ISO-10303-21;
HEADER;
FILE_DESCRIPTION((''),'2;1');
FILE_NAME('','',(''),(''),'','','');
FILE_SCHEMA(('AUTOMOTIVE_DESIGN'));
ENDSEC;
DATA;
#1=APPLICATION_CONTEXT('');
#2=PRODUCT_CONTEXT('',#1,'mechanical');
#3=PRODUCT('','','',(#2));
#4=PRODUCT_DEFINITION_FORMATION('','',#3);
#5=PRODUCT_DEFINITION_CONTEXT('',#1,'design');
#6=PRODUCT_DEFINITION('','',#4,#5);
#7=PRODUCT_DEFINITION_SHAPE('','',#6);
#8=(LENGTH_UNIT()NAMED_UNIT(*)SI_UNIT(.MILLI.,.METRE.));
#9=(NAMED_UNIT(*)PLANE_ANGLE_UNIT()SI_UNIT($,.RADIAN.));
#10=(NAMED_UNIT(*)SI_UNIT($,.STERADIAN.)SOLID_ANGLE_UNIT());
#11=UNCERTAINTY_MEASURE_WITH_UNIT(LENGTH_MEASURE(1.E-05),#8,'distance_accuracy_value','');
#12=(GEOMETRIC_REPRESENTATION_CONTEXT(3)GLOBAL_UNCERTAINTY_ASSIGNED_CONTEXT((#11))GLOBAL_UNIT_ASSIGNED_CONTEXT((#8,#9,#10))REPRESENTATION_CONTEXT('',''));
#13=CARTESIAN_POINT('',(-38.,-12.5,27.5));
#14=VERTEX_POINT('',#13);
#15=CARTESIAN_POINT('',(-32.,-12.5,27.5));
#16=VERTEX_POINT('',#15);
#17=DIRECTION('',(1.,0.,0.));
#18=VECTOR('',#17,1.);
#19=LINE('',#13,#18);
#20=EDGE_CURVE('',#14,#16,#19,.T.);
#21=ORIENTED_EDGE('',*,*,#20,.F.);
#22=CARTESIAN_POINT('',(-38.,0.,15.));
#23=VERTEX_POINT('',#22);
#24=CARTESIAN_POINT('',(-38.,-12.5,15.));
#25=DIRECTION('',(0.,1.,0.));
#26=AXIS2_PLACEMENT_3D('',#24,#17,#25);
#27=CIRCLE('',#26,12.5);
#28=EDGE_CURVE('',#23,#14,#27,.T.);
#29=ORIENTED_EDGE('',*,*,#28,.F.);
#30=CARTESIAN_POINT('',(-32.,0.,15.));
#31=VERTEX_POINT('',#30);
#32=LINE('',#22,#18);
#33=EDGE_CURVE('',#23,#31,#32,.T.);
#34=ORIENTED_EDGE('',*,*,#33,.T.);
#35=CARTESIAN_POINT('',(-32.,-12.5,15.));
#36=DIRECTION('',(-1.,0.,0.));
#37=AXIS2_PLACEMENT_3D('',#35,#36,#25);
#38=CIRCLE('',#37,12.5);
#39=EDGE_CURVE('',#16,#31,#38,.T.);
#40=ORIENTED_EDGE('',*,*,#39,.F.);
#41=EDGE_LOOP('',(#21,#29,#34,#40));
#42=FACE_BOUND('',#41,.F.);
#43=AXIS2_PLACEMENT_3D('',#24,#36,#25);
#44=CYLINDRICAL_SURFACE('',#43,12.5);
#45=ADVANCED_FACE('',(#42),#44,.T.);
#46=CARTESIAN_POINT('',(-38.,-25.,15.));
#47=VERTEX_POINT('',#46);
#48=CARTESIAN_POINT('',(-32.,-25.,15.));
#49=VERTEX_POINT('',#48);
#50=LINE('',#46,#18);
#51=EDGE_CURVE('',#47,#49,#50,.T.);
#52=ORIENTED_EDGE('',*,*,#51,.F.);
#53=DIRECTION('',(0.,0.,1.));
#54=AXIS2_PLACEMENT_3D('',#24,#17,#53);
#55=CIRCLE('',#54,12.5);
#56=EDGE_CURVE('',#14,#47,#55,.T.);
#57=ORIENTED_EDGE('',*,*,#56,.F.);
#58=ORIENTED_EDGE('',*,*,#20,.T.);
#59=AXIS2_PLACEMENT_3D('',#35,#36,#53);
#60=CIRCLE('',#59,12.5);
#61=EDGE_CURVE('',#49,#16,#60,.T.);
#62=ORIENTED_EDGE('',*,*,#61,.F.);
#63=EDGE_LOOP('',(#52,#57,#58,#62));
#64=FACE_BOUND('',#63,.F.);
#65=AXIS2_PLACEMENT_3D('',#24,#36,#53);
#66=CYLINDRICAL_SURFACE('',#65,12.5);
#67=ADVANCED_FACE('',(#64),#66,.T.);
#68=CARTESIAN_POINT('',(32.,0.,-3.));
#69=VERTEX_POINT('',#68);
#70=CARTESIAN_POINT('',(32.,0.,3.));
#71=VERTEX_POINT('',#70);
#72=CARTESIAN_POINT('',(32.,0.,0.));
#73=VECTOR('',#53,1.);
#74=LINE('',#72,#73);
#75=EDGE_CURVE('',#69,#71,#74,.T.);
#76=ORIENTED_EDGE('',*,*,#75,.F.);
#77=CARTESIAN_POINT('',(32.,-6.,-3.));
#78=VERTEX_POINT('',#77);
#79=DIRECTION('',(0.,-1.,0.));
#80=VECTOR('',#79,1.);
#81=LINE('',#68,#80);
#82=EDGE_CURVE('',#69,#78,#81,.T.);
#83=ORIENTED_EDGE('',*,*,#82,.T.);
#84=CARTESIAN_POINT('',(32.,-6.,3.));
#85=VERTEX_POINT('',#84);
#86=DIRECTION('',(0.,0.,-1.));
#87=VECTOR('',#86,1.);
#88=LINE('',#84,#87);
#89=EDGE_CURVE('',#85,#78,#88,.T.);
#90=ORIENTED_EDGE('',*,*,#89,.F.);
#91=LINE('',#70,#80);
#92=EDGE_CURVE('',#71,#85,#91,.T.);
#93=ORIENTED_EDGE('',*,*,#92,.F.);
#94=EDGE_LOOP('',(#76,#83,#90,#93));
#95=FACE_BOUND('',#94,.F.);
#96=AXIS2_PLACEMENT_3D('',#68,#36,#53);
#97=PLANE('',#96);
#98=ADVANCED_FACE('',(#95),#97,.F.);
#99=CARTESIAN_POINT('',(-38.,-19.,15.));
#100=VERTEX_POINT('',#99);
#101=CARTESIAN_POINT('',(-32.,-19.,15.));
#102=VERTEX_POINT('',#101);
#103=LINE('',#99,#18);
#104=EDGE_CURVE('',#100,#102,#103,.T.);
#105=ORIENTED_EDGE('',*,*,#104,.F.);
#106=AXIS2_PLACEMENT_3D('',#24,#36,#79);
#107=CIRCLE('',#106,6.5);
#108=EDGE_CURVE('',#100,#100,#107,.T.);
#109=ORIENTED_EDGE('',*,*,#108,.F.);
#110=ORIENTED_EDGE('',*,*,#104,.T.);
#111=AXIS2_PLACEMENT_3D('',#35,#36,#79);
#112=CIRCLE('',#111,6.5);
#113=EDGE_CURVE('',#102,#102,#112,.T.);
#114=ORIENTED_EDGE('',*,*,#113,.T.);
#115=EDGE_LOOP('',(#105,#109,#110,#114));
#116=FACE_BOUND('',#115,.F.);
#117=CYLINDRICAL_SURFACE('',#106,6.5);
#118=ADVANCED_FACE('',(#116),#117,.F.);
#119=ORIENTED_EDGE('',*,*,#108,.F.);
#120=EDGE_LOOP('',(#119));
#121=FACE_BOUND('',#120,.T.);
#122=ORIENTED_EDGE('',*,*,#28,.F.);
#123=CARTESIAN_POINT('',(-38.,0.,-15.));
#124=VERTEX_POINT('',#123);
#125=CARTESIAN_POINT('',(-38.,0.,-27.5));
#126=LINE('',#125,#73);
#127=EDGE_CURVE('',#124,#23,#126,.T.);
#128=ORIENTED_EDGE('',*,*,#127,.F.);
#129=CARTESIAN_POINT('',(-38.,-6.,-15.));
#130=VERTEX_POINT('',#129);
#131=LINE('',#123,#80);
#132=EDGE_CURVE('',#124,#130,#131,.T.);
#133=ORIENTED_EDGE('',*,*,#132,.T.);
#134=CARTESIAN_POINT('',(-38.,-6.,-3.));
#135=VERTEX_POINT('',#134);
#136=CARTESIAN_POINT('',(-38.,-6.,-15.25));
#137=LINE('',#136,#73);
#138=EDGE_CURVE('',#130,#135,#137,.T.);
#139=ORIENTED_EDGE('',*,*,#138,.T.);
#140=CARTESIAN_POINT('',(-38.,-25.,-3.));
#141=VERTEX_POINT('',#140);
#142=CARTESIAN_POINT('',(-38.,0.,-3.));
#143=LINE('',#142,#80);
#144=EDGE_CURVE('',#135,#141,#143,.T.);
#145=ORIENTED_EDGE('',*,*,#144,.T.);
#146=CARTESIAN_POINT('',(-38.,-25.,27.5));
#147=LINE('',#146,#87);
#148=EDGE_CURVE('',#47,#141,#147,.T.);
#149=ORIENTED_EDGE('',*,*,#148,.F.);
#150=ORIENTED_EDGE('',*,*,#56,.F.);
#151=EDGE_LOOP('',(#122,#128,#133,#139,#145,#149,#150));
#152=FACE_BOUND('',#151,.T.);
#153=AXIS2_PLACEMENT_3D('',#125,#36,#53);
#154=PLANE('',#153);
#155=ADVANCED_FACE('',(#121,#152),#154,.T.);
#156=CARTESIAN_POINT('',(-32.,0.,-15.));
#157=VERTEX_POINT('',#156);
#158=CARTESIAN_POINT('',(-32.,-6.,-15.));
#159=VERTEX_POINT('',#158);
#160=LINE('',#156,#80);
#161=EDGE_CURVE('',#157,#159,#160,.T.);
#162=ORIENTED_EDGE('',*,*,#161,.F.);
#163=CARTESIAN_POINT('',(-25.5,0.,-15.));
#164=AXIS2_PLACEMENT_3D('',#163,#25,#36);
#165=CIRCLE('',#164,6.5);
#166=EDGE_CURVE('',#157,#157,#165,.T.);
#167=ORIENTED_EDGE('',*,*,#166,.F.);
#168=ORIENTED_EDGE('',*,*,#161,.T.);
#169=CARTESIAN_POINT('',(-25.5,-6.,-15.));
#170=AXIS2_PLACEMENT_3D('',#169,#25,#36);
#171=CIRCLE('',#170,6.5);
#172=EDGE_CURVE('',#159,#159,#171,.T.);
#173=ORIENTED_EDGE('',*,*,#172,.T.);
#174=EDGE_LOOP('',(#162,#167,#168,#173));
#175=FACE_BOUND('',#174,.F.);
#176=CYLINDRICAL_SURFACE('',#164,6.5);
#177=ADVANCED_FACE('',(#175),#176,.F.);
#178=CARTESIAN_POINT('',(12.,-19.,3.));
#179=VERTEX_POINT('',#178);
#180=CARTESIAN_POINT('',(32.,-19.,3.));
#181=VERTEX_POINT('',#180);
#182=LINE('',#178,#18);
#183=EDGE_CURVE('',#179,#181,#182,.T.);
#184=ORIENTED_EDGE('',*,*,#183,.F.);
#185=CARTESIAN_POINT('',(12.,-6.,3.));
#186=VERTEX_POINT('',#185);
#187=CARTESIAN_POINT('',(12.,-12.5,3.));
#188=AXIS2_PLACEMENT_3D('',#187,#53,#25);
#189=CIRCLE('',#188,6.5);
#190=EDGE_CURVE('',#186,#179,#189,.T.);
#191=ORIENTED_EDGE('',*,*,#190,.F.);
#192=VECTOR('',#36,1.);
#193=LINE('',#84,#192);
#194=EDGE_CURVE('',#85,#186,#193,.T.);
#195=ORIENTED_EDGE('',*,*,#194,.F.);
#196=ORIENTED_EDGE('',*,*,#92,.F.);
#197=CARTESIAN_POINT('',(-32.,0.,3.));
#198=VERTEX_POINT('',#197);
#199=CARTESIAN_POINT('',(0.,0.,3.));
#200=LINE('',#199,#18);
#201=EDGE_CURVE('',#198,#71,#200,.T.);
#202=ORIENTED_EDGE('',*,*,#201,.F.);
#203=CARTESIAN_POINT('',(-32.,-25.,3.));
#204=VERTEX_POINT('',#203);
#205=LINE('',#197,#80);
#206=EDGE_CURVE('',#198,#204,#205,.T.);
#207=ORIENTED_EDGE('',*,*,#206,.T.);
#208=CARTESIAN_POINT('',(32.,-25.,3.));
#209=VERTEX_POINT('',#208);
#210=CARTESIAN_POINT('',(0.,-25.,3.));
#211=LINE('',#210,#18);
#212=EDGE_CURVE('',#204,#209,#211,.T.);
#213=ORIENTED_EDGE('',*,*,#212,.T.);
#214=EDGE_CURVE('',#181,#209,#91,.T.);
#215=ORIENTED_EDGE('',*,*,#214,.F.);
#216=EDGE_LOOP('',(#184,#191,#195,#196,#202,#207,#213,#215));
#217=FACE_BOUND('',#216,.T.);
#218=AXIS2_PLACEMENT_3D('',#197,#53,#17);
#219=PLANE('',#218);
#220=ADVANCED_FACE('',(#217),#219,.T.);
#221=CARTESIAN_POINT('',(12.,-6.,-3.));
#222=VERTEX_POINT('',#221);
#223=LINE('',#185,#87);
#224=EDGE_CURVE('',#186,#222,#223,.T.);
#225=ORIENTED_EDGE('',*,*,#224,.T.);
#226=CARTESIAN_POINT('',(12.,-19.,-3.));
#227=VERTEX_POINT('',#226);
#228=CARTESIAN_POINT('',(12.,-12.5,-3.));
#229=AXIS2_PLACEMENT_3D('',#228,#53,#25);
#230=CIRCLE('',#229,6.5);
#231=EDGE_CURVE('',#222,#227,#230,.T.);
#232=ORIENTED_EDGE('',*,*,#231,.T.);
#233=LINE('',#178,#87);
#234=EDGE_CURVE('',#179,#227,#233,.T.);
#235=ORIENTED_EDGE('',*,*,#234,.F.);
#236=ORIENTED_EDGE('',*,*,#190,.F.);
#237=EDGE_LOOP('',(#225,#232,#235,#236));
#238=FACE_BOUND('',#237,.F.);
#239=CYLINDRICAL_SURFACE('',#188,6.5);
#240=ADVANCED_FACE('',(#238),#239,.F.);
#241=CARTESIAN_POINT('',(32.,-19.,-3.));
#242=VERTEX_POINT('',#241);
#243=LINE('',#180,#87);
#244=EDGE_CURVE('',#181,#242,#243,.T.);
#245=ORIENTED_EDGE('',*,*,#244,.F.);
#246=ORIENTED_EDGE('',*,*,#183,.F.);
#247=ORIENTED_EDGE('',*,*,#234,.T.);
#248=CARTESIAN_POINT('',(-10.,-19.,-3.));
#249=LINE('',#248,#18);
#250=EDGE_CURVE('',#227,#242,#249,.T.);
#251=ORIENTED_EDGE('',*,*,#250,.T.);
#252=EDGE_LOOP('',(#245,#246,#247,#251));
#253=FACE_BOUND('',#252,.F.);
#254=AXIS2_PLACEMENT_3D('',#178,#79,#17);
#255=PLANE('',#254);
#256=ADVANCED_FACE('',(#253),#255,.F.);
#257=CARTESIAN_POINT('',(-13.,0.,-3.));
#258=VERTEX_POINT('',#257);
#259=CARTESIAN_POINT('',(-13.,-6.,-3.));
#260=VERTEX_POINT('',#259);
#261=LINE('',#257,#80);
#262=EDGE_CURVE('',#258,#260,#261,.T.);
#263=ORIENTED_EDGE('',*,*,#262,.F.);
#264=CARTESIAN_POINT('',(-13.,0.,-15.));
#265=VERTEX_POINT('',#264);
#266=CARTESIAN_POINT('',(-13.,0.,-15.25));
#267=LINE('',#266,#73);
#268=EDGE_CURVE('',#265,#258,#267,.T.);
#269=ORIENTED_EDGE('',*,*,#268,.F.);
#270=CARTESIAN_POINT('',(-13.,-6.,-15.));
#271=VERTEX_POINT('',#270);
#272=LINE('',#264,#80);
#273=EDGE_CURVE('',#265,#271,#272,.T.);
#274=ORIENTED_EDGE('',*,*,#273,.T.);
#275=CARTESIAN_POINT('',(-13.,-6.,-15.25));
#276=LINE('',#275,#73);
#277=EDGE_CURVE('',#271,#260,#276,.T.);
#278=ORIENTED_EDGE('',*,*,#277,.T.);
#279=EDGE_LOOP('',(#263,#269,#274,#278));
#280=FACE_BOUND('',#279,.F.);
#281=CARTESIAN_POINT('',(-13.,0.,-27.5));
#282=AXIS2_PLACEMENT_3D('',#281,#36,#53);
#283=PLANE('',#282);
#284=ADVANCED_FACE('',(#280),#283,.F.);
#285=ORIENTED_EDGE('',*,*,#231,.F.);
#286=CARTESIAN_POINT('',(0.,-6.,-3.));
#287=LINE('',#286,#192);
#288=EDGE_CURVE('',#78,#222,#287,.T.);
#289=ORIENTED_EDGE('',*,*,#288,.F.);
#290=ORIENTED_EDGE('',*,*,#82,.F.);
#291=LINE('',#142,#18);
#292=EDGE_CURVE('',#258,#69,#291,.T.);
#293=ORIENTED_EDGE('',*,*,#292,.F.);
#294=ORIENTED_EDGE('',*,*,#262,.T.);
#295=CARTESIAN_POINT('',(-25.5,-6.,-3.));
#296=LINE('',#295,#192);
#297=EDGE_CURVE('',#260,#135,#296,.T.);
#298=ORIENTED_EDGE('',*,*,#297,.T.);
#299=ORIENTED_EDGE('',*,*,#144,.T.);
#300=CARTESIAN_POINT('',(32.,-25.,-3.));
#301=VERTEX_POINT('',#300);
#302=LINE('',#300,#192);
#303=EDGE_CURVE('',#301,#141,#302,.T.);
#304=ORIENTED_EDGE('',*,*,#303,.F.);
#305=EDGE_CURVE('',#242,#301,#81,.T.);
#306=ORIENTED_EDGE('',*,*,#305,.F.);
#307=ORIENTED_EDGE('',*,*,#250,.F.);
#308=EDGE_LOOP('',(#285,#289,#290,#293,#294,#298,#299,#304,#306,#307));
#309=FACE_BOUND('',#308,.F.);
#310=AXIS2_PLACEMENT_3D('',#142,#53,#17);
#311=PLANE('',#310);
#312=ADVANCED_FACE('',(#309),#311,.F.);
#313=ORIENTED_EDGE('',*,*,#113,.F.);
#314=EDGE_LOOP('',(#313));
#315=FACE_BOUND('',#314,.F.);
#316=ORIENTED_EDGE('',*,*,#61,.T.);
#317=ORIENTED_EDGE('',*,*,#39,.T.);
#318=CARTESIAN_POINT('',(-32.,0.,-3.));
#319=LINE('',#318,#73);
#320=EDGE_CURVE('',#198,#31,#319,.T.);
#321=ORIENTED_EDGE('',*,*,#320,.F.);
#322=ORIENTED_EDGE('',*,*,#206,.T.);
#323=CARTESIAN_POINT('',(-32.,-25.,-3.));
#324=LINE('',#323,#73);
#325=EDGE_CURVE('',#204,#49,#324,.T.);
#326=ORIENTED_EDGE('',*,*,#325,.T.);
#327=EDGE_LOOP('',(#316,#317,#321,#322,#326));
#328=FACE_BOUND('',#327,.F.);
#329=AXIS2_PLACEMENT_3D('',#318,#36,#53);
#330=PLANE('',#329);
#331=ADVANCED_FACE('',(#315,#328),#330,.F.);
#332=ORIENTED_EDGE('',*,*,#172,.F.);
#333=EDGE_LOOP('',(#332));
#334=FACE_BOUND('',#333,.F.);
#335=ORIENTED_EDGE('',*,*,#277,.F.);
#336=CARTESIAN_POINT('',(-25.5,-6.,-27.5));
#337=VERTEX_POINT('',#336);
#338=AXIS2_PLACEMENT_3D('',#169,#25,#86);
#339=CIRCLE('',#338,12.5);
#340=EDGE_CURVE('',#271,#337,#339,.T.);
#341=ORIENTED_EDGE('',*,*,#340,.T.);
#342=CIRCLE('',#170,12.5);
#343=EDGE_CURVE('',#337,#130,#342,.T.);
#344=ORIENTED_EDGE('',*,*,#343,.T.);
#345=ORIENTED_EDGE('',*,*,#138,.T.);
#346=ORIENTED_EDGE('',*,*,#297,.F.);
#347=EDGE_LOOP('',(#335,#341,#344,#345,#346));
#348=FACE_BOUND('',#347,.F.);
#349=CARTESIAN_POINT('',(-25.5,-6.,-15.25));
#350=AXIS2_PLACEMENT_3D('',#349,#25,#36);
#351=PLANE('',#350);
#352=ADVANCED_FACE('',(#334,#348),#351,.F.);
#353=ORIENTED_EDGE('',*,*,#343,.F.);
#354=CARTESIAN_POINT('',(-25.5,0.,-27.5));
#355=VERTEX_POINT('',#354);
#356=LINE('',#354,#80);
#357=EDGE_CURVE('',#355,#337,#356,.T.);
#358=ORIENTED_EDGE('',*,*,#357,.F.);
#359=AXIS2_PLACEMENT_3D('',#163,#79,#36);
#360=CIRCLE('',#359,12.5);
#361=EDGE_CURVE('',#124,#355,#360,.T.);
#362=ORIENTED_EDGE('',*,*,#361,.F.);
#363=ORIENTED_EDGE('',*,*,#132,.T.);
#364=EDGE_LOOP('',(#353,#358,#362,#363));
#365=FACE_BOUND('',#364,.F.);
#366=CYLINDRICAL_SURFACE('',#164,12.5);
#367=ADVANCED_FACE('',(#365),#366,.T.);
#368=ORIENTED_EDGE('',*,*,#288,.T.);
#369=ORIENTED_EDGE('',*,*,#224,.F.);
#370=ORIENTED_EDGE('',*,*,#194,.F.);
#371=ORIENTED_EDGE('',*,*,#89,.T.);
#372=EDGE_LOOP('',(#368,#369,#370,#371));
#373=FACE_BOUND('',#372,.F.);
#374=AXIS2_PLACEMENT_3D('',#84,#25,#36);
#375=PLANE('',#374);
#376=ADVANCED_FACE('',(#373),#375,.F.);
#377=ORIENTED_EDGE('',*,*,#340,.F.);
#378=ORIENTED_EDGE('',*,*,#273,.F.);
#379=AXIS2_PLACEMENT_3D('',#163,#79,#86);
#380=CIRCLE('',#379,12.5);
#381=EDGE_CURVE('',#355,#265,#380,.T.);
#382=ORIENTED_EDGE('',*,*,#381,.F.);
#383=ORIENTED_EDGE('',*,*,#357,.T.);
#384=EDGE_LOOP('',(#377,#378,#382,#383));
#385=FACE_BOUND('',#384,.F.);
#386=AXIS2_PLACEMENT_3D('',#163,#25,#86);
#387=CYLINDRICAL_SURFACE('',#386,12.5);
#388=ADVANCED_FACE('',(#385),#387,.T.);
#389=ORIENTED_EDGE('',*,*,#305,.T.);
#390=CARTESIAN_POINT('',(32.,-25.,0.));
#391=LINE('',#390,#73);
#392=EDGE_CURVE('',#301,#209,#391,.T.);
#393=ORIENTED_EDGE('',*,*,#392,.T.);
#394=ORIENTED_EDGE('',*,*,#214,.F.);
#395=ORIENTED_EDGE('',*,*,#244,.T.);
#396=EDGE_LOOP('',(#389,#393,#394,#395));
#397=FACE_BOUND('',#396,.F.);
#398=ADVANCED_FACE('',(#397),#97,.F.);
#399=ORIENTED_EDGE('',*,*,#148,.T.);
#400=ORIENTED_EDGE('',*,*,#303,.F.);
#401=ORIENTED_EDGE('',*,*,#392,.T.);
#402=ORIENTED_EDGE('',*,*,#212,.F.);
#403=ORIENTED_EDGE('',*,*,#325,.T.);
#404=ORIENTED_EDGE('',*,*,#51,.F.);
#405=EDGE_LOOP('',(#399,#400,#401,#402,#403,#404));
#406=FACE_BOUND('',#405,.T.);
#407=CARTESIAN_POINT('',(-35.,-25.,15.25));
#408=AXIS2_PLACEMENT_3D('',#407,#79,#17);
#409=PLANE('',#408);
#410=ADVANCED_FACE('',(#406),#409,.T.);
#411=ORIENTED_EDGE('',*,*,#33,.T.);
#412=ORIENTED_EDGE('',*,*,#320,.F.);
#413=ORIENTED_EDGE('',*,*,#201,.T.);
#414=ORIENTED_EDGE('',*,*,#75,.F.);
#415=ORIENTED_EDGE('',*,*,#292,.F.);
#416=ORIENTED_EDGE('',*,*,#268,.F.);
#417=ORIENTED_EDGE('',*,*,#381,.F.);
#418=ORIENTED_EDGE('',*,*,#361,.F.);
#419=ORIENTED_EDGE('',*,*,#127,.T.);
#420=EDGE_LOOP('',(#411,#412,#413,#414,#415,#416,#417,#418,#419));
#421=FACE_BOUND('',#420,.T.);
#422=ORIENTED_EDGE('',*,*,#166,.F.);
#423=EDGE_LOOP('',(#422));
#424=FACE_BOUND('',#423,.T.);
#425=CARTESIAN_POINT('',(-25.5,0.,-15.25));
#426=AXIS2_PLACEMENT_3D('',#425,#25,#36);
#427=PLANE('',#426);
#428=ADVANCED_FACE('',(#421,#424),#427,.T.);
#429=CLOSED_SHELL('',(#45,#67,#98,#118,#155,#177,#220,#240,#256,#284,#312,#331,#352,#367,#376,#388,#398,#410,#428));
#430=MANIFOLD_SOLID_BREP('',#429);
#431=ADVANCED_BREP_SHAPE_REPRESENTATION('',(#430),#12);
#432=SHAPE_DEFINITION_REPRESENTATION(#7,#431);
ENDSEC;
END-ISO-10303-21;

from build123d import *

# Parameters (mm, degrees)
F0_W      = 64
F0_H      = 6
F1_DEPTH  = 25
F3_DEPTH  = 10.9
F4_W      = 6
F4_H      = 24.5
F4_H_2    = 6
F5_DEPTH  = 25
F6_R      = 6.5
F7_DEPTH  = 10
F8_W      = 25
F8_H      = 24.5
F9_DEPTH  = 6
F10_R     = 6.5
F11_DEPTH = 25


with BuildPart() as f1:
    # F0 (on Front) → F1 (new body)
    with BuildSketch(Plane.XZ):
        Rectangle(F0_W, F0_H)
    extrude(amount=F1_DEPTH)

    # F2 (on face) → F3 (cut)
    with BuildSketch(Plane.XY.offset(3)):
        with BuildLine():
            Line((12, -19), (12, -6))
            ThreePointArc((12, -6), (5.5, -12.5), (12, -19))
        make_face()
        with BuildLine():
            ThreePointArc((18.5, -12.5), (16.5961940777, -7.9038059223), (12, -6))
            Line((12, -6), (12, -19))
            ThreePointArc((12, -19), (16.5961940777, -17.0961940777), (18.5, -12.5))
        make_face()
        with BuildLine():
            Line((32, -19), (32, -6))
            Line((32, -6), (12, -6))
            ThreePointArc((12, -6), (16.5961940777, -7.9038059223), (18.5, -12.5))
            ThreePointArc((18.5, -12.5), (16.5961940777, -17.0961940777), (12, -19))
            Line((12, -19), (32, -19))
        make_face()
    extrude(amount=-F3_DEPTH, mode=Mode.SUBTRACT)

    # F4 (on Front) → F5 (join)
    with BuildSketch(Plane.XZ):
        with Locations((-35, 15.25)):
            Rectangle(F4_W, F4_H)
        with Locations((-35, 0)):
            Rectangle(F4_W, F4_H_2)
    extrude(amount=F5_DEPTH)

    # F6 (on face) → F7 (cut)
    with BuildSketch(Plane(origin=(-38, 0, 0), x_dir=(0, -1, 0), z_dir=(-1, 0, 0))):
        with BuildLine():
            ThreePointArc((0, 15), (3.6611652352, 23.8388347648), (12.5, 27.5))
            Line((12.5, 27.5), (0, 27.5))
            Line((0, 27.5), (0, 15))
        make_face()
        with BuildLine():
            ThreePointArc((12.5, 27.5), (21.3388347648, 23.8388347648), (25, 15))
            Line((25, 15), (25, 27.5))
            Line((25, 27.5), (12.5, 27.5))
        make_face()
        with Locations((12.5, 15)):
            Circle(F6_R)
    extrude(amount=-F7_DEPTH, mode=Mode.SUBTRACT)

    # F8 (on face) → F9 (join)
    with BuildSketch(Plane(origin=(0, 0, 0), x_dir=(-1, 0, 0), z_dir=(0, 1, 0))):
        with Locations((25.5, -15.25)):
            Rectangle(F8_W, F8_H)
    extrude(amount=-F9_DEPTH)

    # F10 (on face) → F11 (cut)
    with BuildSketch(Plane(origin=(0, 0, 0), x_dir=(-1, 0, 0), z_dir=(0, 1, 0))):
        with BuildLine():
            ThreePointArc((25.5, -27.5), (16.6611652352, -23.8388347648), (13, -15))
            Line((13, -15), (13, -27.5))
            Line((13, -27.5), (25.5, -27.5))
        make_face()
        with BuildLine():
            Line((38, -27.5), (38, -15))
            ThreePointArc((38, -15), (34.3388347648, -23.8388347648), (25.5, -27.5))
            Line((25.5, -27.5), (38, -27.5))
        make_face()
        with Locations((25.5, -15)):
            Circle(F10_R)
    extrude(amount=-F11_DEPTH, mode=Mode.SUBTRACT)


solid = f1.part
